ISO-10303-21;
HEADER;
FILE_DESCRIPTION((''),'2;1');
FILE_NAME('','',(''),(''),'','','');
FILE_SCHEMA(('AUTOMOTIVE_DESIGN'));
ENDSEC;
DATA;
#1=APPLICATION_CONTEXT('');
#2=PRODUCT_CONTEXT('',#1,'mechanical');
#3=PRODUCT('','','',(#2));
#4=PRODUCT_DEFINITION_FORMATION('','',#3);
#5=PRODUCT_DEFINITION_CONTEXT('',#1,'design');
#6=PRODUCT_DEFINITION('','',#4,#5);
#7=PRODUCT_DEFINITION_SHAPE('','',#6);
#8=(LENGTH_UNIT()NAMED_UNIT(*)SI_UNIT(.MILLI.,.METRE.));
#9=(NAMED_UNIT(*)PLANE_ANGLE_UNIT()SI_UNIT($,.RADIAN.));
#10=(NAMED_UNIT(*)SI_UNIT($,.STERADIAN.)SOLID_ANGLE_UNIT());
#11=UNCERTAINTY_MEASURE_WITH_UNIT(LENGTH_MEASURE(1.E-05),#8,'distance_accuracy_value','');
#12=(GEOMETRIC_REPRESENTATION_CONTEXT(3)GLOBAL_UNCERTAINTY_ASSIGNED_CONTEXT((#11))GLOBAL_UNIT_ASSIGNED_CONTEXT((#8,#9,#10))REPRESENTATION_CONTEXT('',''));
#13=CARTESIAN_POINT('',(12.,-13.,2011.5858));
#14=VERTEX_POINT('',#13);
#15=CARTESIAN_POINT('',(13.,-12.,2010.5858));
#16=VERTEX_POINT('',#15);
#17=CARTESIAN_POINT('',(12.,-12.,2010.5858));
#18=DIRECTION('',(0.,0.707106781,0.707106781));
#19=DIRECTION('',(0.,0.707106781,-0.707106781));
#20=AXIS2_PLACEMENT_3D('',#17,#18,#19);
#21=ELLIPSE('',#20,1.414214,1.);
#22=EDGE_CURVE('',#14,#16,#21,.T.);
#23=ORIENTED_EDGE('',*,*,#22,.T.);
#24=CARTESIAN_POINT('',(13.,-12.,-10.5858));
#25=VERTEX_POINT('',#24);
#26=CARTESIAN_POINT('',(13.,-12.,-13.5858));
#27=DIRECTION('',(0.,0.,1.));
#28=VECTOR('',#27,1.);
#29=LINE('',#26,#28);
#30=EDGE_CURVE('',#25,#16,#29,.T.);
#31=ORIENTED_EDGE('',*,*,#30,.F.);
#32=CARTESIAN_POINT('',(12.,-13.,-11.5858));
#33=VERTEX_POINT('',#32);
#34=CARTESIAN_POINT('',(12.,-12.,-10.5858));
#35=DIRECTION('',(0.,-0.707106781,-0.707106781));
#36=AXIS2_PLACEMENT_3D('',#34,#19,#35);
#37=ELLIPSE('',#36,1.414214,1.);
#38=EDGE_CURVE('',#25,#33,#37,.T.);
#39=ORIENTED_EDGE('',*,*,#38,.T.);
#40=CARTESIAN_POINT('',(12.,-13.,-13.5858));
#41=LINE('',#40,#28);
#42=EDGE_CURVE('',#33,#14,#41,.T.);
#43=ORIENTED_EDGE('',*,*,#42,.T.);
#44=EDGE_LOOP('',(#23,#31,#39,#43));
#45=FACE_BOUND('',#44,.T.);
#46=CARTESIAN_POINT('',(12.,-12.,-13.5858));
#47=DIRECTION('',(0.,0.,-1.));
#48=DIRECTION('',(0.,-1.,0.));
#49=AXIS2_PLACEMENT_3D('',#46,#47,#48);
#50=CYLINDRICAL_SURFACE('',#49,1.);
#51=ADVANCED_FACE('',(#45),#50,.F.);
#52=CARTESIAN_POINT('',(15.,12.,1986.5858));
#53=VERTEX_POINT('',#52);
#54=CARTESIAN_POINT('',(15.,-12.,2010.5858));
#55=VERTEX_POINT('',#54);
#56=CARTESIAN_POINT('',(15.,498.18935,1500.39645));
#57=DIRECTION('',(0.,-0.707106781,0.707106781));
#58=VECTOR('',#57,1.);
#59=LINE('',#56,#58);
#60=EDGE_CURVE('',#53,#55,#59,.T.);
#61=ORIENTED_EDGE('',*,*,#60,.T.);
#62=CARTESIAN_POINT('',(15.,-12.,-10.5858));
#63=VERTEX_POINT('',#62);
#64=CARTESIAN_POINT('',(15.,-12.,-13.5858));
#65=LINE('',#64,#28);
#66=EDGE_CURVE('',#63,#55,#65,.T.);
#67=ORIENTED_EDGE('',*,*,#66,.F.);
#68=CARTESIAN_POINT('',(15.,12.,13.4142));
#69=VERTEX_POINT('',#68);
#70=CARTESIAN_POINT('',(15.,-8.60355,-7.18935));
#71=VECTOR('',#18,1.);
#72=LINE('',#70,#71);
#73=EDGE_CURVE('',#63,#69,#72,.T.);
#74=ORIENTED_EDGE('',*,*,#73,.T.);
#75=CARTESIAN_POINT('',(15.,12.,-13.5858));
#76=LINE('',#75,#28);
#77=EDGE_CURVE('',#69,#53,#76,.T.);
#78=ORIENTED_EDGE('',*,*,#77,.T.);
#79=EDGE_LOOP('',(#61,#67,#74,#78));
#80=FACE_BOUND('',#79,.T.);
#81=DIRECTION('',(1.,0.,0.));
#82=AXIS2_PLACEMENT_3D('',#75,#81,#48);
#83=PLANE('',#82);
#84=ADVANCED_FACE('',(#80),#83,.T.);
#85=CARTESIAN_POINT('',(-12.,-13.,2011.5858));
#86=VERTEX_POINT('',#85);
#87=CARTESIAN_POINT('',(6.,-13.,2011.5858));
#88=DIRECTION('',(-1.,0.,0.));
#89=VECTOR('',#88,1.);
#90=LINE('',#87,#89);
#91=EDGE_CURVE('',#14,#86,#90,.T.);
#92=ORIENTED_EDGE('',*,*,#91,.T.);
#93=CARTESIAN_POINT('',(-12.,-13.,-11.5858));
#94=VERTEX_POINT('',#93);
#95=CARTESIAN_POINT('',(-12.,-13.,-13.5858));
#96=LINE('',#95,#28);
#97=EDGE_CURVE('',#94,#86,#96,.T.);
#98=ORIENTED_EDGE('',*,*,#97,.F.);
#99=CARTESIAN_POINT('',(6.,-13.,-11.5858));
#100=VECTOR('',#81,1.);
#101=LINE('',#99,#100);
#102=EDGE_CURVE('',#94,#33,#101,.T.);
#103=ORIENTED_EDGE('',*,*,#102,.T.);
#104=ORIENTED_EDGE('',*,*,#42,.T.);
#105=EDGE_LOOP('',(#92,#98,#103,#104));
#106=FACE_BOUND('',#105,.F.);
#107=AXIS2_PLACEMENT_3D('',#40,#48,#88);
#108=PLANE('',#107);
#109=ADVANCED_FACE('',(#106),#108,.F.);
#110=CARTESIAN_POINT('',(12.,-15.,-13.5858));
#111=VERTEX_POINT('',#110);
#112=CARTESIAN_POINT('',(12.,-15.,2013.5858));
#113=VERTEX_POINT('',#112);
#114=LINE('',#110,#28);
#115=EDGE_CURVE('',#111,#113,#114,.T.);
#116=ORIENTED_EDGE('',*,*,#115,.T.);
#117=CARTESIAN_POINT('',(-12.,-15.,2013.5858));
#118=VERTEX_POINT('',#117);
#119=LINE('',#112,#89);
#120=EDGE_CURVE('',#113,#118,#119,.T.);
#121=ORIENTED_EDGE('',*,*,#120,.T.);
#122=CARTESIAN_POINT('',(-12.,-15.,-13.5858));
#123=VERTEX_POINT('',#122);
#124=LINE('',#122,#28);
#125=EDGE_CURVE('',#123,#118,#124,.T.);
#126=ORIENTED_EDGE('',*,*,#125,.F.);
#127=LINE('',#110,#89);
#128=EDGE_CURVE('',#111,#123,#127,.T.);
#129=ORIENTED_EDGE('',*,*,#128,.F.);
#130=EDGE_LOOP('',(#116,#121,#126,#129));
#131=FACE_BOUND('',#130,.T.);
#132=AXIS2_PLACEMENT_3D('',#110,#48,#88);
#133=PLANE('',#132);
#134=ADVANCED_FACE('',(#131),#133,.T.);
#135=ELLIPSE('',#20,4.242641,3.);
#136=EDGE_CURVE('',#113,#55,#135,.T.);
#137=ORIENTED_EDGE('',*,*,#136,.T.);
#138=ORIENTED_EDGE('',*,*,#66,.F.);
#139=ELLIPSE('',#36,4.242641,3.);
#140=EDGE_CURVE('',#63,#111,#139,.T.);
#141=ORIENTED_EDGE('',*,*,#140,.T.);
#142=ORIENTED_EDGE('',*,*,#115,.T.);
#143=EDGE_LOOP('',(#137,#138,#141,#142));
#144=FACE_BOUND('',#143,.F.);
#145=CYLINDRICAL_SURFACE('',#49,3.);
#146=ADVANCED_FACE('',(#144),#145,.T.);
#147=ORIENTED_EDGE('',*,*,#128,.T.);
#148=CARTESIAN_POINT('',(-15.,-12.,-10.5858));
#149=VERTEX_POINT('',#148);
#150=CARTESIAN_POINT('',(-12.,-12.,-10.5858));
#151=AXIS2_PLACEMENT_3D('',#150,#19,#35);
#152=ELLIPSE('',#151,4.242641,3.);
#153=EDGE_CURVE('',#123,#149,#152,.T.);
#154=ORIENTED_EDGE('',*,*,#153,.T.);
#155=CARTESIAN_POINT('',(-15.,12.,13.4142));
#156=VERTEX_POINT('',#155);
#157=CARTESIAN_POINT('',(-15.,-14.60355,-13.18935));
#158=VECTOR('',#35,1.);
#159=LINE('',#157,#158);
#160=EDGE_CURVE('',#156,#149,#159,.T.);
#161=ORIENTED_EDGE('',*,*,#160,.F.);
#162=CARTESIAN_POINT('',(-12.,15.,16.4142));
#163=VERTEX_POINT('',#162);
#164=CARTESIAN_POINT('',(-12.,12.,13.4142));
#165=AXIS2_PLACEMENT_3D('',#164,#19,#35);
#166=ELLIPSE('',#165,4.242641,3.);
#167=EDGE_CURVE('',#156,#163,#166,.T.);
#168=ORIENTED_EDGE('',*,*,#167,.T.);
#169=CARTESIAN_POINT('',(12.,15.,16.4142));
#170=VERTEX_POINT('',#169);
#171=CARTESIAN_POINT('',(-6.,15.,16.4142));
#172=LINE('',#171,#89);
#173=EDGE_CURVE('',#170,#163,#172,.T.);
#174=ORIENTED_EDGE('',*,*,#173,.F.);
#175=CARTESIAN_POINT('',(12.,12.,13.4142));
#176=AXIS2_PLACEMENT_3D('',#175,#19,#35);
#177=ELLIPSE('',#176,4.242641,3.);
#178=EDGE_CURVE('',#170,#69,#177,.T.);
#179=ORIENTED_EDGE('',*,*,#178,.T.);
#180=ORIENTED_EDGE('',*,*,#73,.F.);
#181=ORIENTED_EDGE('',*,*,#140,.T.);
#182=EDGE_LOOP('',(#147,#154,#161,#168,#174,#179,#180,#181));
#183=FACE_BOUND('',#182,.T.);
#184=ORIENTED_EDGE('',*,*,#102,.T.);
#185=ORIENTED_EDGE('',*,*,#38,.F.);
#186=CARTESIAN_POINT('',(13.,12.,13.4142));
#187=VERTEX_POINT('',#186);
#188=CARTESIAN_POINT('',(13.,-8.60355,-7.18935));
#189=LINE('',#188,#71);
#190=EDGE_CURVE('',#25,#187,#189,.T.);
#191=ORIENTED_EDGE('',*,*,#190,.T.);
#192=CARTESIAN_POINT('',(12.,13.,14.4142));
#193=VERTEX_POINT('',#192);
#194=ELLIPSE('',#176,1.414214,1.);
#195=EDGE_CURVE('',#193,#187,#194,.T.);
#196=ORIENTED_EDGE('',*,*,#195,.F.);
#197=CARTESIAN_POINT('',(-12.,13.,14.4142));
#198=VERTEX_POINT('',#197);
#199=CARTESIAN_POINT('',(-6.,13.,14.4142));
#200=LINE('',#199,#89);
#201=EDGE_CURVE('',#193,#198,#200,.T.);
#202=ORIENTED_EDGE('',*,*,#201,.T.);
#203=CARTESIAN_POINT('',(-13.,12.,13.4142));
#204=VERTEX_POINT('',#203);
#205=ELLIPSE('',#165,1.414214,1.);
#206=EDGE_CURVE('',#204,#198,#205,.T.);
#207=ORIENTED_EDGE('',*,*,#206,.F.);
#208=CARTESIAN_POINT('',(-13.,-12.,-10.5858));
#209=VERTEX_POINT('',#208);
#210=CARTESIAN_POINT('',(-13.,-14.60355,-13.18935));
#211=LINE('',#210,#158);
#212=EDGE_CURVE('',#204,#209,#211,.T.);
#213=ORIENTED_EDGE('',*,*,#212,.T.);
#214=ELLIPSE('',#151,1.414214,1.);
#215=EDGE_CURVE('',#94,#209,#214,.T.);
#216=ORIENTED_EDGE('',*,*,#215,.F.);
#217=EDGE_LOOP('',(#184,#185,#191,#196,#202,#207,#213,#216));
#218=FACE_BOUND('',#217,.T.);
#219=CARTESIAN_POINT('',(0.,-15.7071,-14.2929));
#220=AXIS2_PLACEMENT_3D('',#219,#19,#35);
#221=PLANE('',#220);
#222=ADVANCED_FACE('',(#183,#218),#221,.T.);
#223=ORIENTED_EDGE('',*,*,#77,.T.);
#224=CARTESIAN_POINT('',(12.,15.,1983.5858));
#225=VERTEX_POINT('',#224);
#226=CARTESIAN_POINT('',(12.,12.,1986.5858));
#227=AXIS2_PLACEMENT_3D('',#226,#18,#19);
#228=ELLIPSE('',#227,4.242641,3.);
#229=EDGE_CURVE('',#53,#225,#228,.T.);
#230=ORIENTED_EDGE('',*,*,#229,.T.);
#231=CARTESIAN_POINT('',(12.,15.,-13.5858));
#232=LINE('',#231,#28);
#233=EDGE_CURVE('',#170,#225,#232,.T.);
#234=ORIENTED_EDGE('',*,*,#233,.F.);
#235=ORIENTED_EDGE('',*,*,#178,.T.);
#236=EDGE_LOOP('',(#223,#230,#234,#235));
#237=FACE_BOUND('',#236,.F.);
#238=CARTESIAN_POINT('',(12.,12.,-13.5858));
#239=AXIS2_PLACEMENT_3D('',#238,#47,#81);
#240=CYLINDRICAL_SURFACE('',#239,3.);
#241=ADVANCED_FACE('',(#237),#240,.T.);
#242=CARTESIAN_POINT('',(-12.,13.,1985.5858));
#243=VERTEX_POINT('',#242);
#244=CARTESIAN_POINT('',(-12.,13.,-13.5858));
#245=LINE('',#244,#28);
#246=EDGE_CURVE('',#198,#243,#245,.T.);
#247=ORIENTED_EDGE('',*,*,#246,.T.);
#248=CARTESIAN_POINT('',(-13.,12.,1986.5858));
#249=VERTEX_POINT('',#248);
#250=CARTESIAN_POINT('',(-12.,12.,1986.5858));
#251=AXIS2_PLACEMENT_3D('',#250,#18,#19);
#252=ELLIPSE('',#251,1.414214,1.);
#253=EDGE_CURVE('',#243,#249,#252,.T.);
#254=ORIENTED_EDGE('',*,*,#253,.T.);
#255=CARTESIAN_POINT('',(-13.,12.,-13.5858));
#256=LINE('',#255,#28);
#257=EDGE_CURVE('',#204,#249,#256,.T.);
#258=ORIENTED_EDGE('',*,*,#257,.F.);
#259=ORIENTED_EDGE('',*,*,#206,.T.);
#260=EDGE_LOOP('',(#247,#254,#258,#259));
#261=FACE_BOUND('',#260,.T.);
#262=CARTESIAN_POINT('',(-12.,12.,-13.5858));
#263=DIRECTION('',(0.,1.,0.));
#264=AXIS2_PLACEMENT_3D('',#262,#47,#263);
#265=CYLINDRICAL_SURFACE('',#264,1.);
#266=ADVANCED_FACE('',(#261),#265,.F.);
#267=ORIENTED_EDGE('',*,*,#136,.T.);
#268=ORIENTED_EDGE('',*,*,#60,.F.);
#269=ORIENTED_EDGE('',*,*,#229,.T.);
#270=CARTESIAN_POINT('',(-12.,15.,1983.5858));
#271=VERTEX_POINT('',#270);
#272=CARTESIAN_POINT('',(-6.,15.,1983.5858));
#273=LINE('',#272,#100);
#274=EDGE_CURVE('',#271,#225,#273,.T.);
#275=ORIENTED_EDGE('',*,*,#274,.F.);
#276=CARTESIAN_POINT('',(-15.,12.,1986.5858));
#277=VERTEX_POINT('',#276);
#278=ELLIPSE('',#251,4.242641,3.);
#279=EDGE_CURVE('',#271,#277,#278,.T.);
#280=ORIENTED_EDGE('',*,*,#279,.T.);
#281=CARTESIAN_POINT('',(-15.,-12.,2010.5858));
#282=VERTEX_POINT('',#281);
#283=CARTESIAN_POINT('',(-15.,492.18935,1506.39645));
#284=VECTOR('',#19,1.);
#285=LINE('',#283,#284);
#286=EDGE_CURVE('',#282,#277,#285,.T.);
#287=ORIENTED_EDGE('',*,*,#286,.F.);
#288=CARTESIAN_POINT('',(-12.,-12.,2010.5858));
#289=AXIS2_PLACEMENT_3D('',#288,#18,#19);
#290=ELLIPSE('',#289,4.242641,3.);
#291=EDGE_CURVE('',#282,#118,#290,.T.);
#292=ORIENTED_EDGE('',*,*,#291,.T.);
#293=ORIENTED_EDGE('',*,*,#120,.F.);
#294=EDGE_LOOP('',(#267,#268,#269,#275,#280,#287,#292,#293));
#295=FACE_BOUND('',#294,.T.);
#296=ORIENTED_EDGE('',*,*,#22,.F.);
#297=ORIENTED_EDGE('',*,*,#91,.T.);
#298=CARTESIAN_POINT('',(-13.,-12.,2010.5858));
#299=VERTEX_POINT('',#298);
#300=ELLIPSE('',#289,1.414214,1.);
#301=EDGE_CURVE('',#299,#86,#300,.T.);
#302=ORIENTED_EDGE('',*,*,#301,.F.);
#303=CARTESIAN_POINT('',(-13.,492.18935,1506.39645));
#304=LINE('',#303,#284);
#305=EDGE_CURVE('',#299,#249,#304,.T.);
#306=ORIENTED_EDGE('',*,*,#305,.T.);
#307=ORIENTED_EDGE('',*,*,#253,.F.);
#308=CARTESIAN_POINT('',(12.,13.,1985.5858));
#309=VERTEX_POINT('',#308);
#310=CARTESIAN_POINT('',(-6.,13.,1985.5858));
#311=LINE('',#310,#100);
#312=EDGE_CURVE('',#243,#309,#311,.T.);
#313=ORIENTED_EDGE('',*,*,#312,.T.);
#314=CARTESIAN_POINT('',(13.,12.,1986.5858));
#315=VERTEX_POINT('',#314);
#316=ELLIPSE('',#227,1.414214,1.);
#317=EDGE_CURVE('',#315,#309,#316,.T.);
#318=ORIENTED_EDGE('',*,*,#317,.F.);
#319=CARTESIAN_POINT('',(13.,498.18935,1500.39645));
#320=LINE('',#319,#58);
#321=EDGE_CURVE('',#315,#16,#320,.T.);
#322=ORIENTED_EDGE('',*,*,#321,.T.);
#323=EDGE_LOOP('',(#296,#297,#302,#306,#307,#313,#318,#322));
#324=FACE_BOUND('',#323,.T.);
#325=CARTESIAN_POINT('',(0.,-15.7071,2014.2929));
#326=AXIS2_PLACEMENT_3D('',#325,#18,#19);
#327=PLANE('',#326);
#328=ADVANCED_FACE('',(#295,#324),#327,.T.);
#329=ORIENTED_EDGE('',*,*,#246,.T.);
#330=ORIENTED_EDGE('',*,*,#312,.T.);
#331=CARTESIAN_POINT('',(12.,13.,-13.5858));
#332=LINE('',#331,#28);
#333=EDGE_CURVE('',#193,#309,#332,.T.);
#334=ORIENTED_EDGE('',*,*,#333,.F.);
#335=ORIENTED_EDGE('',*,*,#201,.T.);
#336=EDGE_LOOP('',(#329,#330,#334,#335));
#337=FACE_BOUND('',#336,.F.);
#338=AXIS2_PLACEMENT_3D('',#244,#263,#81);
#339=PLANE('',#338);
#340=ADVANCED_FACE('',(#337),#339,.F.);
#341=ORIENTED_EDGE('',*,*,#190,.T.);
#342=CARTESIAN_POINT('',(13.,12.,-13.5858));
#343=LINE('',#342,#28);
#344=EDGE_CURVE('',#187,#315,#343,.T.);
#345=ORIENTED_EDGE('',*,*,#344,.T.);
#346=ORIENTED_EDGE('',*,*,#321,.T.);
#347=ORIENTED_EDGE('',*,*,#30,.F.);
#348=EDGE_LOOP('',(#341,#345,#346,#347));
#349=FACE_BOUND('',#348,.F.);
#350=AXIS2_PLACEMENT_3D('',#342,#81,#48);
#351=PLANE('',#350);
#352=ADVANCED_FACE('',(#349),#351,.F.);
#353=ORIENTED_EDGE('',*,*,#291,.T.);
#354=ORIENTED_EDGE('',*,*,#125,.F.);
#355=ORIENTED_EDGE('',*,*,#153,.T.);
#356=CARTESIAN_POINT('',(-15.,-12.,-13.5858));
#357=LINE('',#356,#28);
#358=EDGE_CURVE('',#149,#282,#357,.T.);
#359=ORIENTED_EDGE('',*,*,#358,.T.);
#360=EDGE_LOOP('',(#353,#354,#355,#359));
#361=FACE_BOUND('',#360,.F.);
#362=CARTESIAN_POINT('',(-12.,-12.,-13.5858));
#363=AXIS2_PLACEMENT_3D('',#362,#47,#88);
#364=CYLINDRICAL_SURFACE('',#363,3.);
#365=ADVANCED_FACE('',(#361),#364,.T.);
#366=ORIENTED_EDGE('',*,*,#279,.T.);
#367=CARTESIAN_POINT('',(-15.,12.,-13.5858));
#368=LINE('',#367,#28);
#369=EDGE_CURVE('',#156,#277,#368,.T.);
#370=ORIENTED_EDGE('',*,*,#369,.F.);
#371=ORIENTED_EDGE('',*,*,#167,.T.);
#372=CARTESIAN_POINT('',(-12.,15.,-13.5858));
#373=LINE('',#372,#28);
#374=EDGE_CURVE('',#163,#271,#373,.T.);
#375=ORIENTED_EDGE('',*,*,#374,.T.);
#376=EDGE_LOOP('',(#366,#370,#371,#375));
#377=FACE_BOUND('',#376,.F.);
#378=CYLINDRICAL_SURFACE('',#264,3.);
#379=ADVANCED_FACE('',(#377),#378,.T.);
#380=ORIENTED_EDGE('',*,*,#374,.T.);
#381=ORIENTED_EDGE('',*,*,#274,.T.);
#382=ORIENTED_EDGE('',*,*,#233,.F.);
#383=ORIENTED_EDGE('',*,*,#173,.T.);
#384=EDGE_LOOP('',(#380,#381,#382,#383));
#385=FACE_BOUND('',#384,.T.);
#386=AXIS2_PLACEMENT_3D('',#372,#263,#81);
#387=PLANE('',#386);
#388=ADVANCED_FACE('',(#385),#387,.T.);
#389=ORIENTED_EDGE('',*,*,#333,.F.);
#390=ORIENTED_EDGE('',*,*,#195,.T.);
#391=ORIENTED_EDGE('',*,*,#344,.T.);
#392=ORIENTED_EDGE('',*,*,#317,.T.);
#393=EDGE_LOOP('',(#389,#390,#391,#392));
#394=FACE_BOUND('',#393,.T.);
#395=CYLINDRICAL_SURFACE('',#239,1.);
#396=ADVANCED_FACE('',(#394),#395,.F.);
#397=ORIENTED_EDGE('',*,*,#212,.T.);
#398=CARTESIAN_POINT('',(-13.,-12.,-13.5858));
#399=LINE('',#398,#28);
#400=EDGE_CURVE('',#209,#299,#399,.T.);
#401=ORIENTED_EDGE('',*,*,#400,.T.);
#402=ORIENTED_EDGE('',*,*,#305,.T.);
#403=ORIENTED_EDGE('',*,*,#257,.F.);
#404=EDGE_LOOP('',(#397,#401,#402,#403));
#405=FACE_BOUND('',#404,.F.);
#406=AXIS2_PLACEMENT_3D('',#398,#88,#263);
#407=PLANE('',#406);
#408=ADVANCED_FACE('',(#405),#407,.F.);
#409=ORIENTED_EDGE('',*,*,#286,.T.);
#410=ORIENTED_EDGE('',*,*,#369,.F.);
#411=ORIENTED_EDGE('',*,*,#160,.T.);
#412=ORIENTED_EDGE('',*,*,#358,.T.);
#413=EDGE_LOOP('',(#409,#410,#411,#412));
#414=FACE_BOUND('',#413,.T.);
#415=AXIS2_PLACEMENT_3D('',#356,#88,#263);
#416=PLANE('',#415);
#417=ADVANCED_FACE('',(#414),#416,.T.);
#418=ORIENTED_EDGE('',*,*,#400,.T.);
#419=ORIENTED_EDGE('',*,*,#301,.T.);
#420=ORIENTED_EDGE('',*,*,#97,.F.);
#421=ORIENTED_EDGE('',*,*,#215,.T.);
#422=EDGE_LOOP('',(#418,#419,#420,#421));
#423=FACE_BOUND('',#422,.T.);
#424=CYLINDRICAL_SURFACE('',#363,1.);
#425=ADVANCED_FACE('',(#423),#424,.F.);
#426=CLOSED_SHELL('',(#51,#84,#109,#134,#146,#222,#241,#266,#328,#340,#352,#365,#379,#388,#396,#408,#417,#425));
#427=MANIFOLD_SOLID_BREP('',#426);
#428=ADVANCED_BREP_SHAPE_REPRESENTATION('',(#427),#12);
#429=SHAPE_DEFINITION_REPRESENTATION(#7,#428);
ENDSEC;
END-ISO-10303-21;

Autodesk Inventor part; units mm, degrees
ref_plane "Start Plane" through (0, 0, -13.5858) normal (0, 0, 1) x (1, 0, 0)
ref_plane "End Plane" through (0, 0, 2013.5858) normal (0, 0, 1) x (1, 0, 0)
sketch "Sketch" plane through (0, 0, 0) normal (0, 0, 1) x (1, 0, 0)
  line L0 (-15, -12) -> (-15, 12)
  line L1 (-12, 15) -> (12, 15)
  line L2 (15, 12) -> (15, -12)
  line L3 (12, -15) -> (-12, -15)
  arc A0 (-15, -12) -> (-12, -15) centre (-12, -12) ccw
  arc A1 (-12, 15) -> (-15, 12) centre (-12, 12) ccw
  arc A2 (15, 12) -> (12, 15) centre (12, 12) ccw
  arc A3 (12, -15) -> (15, -12) centre (12, -12) ccw
  arc A4 (-12, 13) -> (-13, 12) centre (-12, 12) ccw
  line L4 (-12, 13) -> (12, 13)
  arc A5 (13, 12) -> (12, 13) centre (12, 12) ccw
  line L5 (13, 12) -> (13, -12)
  arc A6 (12, -13) -> (13, -12) centre (12, -12) ccw
  line L6 (12, -13) -> (-12, -13)
  arc A7 (-13, -12) -> (-12, -13) centre (-12, -12) ccw
  line L7 (-13, -12) -> (-13, 12)
  line L8 (0, 21.8698) -> (0, -21.8698) construction
  line L9 (-21.8698, 0) -> (21.8698, 0) construction
  dimension "d7" = 3
  dimension "d10" = 30
  dimension "d11" = 30
  dimension "d12" = 2
  dimension "d15" = 15
  dimension "d16" = 15
extrude "Body" add sketch "Sketch" along normal up to surface (2027.1716 mm away) from surface at -13.5858
sketch "Sketch3" plane through (0, 0, 0) normal (0, 0, 1) x (1, 0, 0)
  line L0 (0, 0) -> (10, 0)
ref_plane "Work Plane3" through (0, 0, 0) normal (0, -1, 0) x (1, 0, 0)
ref_plane "Work Plane4" through (0, -15.7071, 2014.2929) normal (0, 0.7071, 0.7071) x (1, 0, 0)
split "Split1" plane through (0, -15.7071, 2014.2929) removes the side toward (0, 0.7071, 0.7071)
ref_plane "Work Plane5" through (0, -15.7071, -14.2929) normal (0, 0.7071, -0.7071) x (1, 0, 0)
split "Split2" plane through (0, -15.7071, -14.2929) removes the side toward (0, 0.7071, -0.7071)
sketch "Sketch4" plane through (0, 0, 0) normal (0, -1, 0) x (1, 0, 0)
  line L0 (-2, -13.5858) -> (12, -13.5858) projected
  line L1 (-2, 2013.5858) -> (12, 2013.5858) projected
  dimension "d18" = 2027.1716
equation "\"d7\" = G_IR"
equation "\"d10\" = G_H"
equation "\"d11\" = G_W"
equation "\"d12\" = G_T"
equation "\"d15\" = 0.5 * d10"
equation "\"d16\" = 0.5 * d11"
equation "\"d3\" = G_L"
equation "\"G_W\" = 30"
equation "\"G_H\" = 30"
equation "\"G_T\" = 2"
equation "\"G_IR\" = 3"
equation "\"G_L\" = d18"
equation "\"G_OFFSET_START\" = 13.58579"
equation "\"G_OFFSET_END\" = 13.58579"
equation "\"d13\" = -G_OFFSET_START"
equation "\"d14\" = G_OFFSET_END + B_L"
equation "\"B_L\" = 2000"
properties part number "ISO 12633-2 - 30x30x2 - 2027,17" material "Steel, Mild"
